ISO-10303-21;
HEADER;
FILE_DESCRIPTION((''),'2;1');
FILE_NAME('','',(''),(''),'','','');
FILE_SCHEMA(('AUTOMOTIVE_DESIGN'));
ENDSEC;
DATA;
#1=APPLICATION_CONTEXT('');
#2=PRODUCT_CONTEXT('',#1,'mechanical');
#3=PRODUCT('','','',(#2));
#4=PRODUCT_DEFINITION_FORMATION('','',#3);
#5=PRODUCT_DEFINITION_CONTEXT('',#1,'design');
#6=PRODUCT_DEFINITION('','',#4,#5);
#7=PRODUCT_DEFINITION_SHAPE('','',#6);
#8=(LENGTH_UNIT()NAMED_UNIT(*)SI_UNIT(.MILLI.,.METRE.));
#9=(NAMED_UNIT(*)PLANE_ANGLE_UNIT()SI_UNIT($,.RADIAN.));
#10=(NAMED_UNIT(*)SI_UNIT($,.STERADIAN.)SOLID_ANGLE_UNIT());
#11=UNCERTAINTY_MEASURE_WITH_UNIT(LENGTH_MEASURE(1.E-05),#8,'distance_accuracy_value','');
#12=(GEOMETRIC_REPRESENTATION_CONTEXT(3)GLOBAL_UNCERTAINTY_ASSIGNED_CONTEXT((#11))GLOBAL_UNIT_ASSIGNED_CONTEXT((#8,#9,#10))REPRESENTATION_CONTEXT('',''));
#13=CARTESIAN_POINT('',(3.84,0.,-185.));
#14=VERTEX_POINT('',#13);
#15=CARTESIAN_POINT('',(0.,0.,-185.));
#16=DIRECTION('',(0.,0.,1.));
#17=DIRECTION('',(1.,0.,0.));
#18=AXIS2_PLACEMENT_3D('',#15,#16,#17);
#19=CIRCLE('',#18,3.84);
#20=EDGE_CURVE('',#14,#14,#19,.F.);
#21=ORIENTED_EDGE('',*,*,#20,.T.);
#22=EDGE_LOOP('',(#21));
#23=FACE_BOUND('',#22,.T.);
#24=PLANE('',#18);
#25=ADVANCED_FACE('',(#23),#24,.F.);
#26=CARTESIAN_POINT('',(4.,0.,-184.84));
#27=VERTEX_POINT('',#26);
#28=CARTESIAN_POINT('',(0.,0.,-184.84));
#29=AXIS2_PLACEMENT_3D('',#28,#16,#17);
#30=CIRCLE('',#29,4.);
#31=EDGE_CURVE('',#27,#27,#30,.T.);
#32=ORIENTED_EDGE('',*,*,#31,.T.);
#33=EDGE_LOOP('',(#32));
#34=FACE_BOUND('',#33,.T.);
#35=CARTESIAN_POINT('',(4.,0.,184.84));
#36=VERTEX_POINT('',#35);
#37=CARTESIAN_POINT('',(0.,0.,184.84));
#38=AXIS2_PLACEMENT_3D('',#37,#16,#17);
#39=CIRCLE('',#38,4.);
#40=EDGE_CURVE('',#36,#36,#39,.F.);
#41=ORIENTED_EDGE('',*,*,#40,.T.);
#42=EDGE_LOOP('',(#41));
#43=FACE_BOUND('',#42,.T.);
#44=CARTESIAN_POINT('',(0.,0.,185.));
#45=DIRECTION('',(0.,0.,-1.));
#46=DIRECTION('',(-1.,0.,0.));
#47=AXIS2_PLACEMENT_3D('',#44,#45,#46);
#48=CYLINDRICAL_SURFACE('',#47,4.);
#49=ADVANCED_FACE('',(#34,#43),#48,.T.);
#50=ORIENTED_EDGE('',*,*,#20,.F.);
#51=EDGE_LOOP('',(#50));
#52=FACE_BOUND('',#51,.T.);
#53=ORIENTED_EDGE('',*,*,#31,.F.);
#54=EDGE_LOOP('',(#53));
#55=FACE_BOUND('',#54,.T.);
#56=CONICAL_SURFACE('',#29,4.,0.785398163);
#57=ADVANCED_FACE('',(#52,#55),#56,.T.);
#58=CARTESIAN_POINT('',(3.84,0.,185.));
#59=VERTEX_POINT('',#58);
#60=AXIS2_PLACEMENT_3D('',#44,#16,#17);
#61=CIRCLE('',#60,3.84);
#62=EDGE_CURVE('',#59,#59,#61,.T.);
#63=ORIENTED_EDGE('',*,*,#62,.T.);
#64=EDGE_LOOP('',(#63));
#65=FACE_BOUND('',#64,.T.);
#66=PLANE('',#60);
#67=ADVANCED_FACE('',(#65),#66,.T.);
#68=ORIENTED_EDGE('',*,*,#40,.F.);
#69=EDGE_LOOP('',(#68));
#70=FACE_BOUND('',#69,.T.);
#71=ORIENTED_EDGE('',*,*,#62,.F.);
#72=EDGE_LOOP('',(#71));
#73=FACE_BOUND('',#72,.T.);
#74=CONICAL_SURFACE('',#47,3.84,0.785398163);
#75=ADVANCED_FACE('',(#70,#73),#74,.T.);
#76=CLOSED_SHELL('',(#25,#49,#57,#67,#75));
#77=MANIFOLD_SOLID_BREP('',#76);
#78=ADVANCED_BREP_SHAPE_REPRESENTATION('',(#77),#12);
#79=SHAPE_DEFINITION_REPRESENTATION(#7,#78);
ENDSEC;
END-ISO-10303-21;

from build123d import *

# Parameters (mm, degrees)
SKETCH3_R                = 4
BOSS_EXTRUDE1_DEPTH      = 185
BOSS_EXTRUDE1_DEPTH_BACK = 185
CHAMFER1_SIZE            = 0.16


with BuildPart() as part:
    # Sketch3 → Boss-Extrude1 (new body, two sides)
    with BuildSketch(Plane.XY) as boss_extrude1_sk:
        Circle(SKETCH3_R)
    extrude(amount=BOSS_EXTRUDE1_DEPTH)
    extrude(boss_extrude1_sk.sketch, amount=-BOSS_EXTRUDE1_DEPTH_BACK)

    # Chamfer1
    chamfer1_edges = [part.edges().sort_by_distance(p)[0] for p in [
        (-4, 0, -185),
        (-4, 0, 185),
    ]]
    chamfer(chamfer1_edges, length=CHAMFER1_SIZE)


solid = part.part
